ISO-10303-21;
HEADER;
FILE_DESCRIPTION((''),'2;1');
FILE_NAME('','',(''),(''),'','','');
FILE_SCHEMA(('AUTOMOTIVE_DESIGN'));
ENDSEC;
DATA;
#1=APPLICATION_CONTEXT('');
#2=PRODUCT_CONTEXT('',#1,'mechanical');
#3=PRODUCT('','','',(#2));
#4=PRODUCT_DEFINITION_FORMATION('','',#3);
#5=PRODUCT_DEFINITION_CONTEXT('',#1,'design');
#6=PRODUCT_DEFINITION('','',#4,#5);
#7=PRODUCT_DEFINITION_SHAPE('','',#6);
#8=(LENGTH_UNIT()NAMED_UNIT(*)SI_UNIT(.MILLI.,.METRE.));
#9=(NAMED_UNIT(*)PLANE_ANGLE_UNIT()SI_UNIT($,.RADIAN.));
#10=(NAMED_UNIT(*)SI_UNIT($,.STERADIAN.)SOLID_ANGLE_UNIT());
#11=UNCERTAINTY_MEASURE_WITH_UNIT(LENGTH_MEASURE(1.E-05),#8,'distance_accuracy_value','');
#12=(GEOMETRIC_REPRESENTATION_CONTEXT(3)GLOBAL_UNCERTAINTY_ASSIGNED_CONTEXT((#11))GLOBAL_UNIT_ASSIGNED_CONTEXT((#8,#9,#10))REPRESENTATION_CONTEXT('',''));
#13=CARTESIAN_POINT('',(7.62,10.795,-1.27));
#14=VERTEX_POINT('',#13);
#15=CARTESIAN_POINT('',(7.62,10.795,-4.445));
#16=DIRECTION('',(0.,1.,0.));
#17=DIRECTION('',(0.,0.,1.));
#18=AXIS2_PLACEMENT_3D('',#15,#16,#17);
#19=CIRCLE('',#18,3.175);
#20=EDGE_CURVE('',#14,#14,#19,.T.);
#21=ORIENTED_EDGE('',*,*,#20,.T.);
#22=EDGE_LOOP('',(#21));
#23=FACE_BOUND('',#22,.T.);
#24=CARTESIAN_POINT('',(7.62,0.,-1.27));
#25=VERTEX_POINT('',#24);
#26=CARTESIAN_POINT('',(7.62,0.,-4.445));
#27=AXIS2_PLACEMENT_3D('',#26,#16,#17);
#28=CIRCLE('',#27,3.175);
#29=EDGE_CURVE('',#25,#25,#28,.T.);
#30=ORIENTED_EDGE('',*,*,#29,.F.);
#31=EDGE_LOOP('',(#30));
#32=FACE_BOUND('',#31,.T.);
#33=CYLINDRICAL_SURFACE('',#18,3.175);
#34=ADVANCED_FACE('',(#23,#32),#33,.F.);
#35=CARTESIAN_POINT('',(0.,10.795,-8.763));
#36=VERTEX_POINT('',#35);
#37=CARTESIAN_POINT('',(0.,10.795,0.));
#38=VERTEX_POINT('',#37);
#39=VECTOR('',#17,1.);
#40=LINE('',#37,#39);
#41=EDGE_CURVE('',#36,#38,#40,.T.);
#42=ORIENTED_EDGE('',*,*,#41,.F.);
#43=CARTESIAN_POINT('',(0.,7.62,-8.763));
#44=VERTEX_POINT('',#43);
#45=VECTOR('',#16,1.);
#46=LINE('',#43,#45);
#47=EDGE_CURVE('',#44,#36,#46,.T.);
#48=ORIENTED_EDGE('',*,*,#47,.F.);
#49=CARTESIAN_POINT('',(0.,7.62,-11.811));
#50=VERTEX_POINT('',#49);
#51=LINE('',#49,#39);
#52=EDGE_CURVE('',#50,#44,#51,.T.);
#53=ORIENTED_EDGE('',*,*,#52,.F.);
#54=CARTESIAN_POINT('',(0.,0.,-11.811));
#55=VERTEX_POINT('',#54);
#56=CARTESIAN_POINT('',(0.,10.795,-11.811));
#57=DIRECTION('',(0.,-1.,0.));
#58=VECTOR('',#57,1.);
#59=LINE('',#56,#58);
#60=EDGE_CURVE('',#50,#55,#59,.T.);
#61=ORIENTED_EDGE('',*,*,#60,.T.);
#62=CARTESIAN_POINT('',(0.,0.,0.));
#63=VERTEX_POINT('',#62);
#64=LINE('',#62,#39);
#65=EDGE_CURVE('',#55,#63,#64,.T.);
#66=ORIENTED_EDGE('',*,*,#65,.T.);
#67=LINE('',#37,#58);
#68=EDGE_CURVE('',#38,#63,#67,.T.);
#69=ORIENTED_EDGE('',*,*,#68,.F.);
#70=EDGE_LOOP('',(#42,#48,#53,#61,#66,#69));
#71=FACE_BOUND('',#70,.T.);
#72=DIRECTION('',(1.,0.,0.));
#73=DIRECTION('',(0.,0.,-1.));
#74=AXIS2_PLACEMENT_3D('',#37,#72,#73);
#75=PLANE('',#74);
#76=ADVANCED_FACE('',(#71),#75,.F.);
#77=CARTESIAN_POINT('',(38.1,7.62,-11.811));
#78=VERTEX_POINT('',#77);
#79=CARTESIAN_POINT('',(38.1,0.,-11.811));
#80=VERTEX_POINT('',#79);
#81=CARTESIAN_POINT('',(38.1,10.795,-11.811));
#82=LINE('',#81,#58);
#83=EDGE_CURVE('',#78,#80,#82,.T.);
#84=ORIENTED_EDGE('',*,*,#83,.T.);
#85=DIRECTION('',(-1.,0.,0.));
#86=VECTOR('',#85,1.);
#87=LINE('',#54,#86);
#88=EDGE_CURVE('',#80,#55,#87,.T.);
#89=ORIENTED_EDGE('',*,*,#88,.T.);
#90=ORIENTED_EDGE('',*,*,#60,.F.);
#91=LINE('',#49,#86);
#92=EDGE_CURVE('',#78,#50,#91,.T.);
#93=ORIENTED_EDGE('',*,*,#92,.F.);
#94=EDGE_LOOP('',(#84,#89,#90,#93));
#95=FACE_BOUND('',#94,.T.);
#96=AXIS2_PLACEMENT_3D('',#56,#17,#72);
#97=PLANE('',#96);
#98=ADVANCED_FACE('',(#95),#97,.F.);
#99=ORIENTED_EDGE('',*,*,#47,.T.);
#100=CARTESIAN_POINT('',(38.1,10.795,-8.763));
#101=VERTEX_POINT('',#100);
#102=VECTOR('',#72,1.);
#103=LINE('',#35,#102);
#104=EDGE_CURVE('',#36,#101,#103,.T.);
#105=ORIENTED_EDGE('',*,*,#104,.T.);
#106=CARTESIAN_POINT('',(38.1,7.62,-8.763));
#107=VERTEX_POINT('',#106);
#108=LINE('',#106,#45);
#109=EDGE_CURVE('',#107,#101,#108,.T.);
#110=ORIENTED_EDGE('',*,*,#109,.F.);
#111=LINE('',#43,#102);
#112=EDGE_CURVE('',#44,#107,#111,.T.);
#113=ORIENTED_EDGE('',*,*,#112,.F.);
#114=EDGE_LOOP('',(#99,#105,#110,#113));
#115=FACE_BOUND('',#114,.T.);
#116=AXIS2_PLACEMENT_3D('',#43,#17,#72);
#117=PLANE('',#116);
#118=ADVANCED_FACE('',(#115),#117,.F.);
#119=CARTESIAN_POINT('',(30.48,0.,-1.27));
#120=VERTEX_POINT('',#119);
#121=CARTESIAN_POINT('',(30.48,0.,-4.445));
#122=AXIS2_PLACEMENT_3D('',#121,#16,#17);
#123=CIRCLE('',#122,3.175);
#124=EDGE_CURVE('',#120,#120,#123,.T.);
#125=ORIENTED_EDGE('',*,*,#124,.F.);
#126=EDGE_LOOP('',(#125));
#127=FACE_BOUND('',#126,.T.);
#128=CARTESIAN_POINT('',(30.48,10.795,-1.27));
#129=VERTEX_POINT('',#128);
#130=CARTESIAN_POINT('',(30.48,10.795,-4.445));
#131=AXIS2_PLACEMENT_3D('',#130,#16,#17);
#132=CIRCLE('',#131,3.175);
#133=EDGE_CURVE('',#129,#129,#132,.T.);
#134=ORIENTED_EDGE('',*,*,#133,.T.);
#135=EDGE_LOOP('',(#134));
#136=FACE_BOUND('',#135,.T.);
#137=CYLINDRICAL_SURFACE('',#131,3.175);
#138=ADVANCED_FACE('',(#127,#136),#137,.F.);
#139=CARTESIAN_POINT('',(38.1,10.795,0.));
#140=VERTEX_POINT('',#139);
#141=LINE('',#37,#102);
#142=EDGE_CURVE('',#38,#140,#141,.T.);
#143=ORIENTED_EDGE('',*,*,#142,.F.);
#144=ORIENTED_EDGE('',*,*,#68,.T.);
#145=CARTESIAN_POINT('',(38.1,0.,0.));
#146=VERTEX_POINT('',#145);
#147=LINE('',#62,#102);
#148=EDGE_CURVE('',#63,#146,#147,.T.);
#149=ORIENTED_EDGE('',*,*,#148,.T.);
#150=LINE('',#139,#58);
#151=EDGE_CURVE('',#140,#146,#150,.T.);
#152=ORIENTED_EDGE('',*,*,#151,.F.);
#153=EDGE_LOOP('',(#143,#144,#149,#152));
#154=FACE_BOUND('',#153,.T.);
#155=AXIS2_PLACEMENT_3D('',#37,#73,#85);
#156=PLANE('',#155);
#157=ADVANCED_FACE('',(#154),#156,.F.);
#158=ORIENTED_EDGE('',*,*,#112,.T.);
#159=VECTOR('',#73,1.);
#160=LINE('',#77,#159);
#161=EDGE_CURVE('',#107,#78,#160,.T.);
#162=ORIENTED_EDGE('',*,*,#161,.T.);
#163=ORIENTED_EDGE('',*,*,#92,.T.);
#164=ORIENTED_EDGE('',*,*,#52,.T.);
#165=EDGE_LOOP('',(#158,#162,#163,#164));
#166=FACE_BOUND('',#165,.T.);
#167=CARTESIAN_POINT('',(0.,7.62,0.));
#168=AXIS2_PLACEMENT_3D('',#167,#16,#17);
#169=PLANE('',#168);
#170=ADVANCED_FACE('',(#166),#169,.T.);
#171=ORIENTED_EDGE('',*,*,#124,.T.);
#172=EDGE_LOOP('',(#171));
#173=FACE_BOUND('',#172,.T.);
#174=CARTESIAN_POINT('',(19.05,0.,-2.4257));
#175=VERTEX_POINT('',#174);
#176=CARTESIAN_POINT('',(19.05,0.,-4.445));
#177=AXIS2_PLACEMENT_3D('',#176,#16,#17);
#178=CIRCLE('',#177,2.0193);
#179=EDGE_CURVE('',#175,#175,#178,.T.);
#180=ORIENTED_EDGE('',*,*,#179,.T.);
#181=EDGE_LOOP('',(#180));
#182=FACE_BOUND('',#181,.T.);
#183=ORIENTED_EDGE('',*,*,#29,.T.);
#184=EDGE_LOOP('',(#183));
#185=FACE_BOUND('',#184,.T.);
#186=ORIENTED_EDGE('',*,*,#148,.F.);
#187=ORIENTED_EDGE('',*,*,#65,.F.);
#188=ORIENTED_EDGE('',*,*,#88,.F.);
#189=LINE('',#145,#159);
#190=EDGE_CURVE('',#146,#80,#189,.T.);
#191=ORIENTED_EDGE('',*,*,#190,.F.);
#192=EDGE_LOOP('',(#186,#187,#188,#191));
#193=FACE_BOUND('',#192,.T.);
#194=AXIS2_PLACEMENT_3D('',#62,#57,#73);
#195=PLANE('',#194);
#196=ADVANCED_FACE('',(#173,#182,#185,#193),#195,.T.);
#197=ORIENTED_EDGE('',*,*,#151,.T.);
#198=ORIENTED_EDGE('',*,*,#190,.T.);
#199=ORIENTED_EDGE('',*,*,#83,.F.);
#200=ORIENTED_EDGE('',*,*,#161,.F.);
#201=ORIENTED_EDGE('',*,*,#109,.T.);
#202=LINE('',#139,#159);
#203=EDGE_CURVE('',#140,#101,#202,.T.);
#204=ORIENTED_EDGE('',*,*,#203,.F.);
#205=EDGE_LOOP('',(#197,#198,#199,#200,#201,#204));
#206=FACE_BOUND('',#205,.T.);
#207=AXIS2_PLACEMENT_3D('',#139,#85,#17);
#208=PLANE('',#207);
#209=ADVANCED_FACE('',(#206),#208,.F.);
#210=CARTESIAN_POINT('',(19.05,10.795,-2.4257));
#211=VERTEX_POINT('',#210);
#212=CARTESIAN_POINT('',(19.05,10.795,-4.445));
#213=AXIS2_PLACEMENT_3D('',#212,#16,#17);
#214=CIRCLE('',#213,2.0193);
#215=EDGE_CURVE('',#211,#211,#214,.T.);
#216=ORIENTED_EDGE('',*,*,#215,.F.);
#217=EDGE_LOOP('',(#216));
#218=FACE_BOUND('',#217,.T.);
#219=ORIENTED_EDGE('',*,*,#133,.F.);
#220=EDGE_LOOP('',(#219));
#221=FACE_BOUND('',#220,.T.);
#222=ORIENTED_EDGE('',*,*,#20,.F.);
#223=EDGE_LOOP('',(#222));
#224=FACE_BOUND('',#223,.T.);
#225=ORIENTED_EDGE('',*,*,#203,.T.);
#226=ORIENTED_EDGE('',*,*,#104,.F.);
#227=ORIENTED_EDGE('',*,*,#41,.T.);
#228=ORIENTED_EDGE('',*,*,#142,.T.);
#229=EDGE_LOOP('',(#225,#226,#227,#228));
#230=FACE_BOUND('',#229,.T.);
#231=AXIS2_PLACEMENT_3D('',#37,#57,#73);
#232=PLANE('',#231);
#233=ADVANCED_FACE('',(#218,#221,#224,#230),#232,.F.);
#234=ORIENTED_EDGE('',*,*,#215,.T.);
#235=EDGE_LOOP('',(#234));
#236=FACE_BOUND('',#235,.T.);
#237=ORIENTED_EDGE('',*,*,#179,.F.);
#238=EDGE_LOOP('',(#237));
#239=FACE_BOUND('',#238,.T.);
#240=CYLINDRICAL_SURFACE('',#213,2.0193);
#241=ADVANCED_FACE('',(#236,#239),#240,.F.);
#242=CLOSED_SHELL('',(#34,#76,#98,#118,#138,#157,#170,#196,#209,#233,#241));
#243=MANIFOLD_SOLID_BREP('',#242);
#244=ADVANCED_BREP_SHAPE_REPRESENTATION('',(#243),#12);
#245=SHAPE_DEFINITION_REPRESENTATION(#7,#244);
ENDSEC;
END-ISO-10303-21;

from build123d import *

# Parameters (mm, degrees)
SKETCH1_W                      = 38.1
SKETCH1_H                      = 11.811
BOSS_EXTRUDE1_DEPTH            = 10.795
SKETCH2_W                      = 38.1
SKETCH2_H                      = 3.048
CUT_EXTRUDE1_DEPTH             = 3.175
F_1_4_0_25_PRESS_DOWEL_HOLE1_D = 6.35
F_10_32_TAPPED_HOLE1_D         = 4.0386


with BuildPart() as part:
    # Sketch1 → Boss-Extrude1 (new body)
    with BuildSketch(Plane(origin=(0, 0, 0), x_dir=(1, 0, 0), z_dir=(0, 1, 0))):
        with Locations((19.05, 5.9055)):
            Rectangle(SKETCH1_W, SKETCH1_H)
    extrude(amount=BOSS_EXTRUDE1_DEPTH)

    # Sketch2 → Cut-Extrude1 (cut)
    with BuildSketch(Plane(origin=(0, 10.795, 0), x_dir=(1, 0, 0), z_dir=(0, 1, 0))):
        with Locations((19.05, 10.287)):
            Rectangle(SKETCH2_W, SKETCH2_H)
    extrude(amount=-CUT_EXTRUDE1_DEPTH, mode=Mode.SUBTRACT)

    # 1/4 (0.25) Press Dowel Hole1 (through all)
    with Locations(Plane(origin=(0, 10.795, 0), x_dir=(1, 0, 0), z_dir=(0, 1, 0))):
        with Locations((7.62, 4.445), (30.48, 4.445)):
            Hole(F_1_4_0_25_PRESS_DOWEL_HOLE1_D / 2)

    # #10-32 Tapped Hole1 (through all)
    with Locations(Plane(origin=(0, 10.795, 0), x_dir=(1, 0, 0), z_dir=(0, 1, 0))):
        with Locations((19.05, 4.445)):
            Hole(F_10_32_TAPPED_HOLE1_D / 2)


solid = part.part
